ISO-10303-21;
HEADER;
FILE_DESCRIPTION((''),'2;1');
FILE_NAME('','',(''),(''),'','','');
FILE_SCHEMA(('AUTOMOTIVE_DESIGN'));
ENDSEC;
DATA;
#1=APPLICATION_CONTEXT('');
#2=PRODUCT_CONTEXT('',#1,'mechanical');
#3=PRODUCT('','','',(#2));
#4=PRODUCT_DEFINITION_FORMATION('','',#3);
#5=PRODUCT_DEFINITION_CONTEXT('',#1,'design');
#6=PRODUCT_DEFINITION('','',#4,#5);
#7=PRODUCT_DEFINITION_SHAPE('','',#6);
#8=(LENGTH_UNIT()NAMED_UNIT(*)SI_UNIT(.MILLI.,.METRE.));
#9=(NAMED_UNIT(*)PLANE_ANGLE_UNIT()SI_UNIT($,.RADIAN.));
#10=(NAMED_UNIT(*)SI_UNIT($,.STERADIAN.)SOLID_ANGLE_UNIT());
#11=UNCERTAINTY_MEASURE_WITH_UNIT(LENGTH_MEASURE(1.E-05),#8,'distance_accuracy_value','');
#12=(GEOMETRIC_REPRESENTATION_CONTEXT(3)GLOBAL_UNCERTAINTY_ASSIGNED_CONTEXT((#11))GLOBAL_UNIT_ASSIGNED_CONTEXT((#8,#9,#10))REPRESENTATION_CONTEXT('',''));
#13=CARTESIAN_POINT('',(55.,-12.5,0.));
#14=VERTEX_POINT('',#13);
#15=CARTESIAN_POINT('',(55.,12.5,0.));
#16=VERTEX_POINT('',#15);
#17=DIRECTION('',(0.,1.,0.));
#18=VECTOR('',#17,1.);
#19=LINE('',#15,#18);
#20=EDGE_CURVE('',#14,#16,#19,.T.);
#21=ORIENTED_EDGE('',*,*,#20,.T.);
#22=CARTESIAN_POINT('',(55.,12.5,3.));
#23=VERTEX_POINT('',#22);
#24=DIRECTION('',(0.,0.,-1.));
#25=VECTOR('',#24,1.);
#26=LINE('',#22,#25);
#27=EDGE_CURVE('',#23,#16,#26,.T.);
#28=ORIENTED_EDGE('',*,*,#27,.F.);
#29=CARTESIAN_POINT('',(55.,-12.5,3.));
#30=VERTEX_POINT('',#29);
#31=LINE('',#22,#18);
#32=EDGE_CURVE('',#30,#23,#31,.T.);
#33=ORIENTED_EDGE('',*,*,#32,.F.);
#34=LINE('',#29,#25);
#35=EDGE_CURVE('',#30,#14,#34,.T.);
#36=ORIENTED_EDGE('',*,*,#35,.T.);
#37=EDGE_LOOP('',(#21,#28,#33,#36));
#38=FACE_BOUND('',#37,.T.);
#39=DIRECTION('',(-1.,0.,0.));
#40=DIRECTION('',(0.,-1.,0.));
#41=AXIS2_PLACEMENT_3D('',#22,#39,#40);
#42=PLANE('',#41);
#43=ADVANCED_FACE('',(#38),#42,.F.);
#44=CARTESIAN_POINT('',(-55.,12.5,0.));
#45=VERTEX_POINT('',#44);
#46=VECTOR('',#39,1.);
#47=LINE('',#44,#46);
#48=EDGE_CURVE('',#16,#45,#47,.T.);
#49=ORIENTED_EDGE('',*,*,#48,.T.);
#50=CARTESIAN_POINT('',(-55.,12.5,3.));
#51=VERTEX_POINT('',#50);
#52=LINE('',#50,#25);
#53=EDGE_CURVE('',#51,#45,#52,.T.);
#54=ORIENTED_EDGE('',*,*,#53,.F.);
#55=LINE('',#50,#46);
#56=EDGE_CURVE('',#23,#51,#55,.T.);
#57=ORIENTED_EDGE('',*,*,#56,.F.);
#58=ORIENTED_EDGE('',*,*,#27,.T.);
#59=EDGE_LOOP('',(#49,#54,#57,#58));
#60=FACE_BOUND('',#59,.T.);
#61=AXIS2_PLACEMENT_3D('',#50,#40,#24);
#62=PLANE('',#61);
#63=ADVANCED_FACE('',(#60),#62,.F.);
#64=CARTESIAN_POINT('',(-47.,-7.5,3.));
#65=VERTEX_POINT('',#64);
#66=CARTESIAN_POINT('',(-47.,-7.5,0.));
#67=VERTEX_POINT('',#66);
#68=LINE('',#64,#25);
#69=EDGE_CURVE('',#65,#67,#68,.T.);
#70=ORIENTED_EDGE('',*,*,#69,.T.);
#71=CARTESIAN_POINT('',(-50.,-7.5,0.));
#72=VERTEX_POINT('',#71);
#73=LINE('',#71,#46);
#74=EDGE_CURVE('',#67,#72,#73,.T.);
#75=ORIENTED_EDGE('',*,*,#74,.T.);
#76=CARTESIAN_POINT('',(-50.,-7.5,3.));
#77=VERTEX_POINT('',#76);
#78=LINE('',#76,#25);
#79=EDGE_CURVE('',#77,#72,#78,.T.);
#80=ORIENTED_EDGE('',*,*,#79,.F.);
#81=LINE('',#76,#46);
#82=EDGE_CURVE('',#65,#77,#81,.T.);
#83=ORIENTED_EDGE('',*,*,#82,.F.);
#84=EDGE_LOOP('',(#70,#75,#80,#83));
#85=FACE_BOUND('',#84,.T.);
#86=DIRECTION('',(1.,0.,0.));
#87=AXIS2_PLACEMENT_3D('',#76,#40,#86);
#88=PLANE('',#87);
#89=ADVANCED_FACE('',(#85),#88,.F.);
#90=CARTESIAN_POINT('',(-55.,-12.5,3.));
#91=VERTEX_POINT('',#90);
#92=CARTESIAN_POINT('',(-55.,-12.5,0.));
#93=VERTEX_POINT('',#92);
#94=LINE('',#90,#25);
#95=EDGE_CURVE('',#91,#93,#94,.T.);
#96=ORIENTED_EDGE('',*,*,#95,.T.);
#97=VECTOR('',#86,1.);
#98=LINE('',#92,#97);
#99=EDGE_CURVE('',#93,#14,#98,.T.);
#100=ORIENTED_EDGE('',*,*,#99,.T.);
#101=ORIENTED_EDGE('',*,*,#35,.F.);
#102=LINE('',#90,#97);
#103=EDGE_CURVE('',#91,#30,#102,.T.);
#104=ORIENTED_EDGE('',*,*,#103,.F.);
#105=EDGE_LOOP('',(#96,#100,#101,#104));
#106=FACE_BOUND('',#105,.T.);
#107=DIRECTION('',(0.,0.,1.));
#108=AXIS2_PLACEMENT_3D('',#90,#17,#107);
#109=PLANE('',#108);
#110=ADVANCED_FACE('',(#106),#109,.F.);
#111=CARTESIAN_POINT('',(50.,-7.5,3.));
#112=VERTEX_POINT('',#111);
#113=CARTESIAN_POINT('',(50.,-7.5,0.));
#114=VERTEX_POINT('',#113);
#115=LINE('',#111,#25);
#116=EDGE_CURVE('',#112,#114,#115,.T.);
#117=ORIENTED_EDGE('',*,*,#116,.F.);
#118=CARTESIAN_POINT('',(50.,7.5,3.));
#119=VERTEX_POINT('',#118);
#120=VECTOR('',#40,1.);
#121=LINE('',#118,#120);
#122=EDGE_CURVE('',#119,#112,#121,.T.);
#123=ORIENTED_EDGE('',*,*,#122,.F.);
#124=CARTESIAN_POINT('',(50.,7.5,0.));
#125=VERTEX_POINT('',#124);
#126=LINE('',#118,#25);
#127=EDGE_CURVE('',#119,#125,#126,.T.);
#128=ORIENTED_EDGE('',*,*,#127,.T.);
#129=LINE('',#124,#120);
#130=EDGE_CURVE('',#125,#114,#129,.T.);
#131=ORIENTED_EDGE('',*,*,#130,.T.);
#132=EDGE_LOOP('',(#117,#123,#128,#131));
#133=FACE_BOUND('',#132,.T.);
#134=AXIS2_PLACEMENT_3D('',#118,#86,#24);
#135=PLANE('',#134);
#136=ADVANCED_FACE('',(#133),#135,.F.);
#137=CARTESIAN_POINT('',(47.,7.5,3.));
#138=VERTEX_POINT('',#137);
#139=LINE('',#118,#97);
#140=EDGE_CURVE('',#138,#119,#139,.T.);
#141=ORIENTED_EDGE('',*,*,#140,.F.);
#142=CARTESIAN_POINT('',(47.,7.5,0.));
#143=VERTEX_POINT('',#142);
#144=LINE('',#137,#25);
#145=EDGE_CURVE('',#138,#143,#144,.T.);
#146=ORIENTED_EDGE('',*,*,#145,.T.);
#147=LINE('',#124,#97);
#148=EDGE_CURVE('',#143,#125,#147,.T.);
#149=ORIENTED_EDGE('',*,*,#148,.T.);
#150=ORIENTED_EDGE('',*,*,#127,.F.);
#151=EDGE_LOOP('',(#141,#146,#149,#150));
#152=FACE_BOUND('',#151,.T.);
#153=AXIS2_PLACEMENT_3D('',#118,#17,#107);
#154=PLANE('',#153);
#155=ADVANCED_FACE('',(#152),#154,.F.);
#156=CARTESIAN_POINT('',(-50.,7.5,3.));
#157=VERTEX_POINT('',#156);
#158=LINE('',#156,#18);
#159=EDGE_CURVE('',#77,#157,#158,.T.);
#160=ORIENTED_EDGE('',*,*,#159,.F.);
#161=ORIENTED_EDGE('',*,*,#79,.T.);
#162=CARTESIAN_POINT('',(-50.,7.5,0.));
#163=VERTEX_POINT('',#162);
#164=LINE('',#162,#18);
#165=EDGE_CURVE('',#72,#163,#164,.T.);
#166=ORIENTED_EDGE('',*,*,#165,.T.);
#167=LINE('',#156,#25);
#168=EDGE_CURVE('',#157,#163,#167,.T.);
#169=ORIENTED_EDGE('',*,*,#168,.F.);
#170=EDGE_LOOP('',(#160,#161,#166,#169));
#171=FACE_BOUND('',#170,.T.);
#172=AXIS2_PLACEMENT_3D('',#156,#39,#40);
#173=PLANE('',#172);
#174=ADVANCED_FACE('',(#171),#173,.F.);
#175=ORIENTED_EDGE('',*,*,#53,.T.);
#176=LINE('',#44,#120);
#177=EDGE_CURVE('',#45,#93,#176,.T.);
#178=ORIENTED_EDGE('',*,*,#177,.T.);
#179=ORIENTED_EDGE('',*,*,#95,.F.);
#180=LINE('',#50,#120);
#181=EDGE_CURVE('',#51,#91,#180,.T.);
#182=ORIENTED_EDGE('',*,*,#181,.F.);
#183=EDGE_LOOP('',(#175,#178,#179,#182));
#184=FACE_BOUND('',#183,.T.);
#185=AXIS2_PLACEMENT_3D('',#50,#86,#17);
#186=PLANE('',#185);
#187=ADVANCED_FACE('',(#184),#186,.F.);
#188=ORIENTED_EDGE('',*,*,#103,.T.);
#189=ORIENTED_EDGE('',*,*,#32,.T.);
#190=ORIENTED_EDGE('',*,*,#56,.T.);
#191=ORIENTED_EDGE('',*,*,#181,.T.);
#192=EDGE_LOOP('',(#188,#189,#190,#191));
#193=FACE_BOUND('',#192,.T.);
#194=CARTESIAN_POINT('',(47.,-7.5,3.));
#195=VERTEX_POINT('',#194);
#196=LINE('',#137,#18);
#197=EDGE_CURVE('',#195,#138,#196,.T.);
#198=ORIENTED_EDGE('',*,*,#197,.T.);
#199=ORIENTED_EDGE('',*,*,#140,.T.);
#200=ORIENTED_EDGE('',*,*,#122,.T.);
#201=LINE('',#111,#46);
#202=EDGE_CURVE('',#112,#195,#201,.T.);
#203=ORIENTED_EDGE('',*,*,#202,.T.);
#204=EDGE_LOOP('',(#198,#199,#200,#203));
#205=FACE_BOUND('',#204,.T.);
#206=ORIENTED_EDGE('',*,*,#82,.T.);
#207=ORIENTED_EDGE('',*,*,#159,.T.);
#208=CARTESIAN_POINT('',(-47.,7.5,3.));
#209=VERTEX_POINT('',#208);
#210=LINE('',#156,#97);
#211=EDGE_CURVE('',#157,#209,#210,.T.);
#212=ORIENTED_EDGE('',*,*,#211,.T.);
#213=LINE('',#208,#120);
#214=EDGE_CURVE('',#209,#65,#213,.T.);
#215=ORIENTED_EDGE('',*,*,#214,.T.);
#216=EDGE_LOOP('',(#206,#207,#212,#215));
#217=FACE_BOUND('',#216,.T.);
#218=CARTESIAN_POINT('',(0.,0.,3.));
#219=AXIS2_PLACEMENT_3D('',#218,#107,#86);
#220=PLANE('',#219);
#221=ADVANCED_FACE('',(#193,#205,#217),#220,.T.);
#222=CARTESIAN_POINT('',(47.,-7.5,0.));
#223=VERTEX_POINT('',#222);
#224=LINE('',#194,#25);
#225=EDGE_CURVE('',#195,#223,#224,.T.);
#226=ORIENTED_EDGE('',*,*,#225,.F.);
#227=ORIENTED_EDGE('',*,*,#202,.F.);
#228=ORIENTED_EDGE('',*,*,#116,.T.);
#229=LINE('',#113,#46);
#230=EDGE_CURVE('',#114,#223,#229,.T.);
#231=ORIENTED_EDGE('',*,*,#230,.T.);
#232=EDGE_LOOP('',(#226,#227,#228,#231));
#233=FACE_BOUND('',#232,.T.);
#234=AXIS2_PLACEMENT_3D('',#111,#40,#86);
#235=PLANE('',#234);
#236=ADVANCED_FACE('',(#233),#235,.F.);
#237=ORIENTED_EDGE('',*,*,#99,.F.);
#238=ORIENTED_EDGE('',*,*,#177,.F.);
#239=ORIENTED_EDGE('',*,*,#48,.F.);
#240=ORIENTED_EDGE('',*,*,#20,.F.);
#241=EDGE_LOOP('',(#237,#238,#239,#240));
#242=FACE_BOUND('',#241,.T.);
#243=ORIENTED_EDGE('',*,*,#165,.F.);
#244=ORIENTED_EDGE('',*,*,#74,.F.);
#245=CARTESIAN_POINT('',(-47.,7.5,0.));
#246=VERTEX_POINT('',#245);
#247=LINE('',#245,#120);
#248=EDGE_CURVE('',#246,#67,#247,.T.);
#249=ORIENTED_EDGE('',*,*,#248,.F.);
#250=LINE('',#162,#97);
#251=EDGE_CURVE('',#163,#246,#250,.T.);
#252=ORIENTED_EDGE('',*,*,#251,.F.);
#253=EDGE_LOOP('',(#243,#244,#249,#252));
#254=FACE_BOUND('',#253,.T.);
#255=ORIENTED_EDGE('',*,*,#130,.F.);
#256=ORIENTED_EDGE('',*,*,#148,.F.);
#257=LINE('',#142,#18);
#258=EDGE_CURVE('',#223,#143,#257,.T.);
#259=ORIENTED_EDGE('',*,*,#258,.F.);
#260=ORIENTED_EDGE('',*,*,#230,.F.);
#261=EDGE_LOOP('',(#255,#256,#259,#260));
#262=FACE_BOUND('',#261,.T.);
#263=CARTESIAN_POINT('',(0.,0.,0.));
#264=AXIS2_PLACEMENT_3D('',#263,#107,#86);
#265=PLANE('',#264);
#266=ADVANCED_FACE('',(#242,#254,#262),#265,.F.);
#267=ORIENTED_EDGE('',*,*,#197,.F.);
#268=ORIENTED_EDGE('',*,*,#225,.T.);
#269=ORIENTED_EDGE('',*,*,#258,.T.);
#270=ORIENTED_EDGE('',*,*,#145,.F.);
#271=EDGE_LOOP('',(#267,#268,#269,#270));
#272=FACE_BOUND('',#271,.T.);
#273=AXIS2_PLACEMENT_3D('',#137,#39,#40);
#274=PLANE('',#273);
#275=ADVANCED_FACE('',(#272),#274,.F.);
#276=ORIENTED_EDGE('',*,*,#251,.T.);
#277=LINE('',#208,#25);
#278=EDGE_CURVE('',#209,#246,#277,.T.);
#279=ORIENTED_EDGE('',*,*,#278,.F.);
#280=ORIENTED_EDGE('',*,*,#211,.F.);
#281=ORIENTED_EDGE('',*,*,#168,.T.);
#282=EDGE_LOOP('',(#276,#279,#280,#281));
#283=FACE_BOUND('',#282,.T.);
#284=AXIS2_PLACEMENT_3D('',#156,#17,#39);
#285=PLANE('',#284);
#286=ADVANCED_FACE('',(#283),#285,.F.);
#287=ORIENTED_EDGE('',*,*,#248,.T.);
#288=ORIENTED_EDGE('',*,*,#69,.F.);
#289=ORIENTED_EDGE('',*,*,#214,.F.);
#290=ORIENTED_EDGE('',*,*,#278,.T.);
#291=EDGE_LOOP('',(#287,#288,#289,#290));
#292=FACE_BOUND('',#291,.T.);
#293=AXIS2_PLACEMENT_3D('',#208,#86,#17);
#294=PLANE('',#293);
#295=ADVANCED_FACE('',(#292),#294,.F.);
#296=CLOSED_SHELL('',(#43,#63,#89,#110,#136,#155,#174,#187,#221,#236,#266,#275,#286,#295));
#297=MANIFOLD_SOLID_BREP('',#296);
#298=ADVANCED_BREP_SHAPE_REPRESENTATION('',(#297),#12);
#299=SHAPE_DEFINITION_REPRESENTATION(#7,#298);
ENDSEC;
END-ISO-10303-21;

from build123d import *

# Parameters (mm, degrees)
SKETCH1_W           = 110
SKETCH1_H           = 25
BOSS_EXTRUDE1_DEPTH = 3
SKETCH3_W           = 3
SKETCH3_H           = 15
CUT_EXTRUDE1_DEPTH  = 57.482298112


with BuildPart() as part:
    # Sketch1 → Boss-Extrude1 (new body)
    with BuildSketch(Plane.XY):
        Rectangle(SKETCH1_W, SKETCH1_H)
    extrude(amount=BOSS_EXTRUDE1_DEPTH)

    # Sketch3 → Cut-Extrude1 (cut, through all)
    with BuildSketch(Plane(origin=(0, 0, 0), x_dir=(-1, 0, 0), z_dir=(0, 0, -1))):
        with Locations((48.5, 0)):
            Rectangle(SKETCH3_W, SKETCH3_H)
        with Locations((-48.5, 0)):
            Rectangle(SKETCH3_W, SKETCH3_H)
    extrude(amount=-CUT_EXTRUDE1_DEPTH, mode=Mode.SUBTRACT)


solid = part.part
